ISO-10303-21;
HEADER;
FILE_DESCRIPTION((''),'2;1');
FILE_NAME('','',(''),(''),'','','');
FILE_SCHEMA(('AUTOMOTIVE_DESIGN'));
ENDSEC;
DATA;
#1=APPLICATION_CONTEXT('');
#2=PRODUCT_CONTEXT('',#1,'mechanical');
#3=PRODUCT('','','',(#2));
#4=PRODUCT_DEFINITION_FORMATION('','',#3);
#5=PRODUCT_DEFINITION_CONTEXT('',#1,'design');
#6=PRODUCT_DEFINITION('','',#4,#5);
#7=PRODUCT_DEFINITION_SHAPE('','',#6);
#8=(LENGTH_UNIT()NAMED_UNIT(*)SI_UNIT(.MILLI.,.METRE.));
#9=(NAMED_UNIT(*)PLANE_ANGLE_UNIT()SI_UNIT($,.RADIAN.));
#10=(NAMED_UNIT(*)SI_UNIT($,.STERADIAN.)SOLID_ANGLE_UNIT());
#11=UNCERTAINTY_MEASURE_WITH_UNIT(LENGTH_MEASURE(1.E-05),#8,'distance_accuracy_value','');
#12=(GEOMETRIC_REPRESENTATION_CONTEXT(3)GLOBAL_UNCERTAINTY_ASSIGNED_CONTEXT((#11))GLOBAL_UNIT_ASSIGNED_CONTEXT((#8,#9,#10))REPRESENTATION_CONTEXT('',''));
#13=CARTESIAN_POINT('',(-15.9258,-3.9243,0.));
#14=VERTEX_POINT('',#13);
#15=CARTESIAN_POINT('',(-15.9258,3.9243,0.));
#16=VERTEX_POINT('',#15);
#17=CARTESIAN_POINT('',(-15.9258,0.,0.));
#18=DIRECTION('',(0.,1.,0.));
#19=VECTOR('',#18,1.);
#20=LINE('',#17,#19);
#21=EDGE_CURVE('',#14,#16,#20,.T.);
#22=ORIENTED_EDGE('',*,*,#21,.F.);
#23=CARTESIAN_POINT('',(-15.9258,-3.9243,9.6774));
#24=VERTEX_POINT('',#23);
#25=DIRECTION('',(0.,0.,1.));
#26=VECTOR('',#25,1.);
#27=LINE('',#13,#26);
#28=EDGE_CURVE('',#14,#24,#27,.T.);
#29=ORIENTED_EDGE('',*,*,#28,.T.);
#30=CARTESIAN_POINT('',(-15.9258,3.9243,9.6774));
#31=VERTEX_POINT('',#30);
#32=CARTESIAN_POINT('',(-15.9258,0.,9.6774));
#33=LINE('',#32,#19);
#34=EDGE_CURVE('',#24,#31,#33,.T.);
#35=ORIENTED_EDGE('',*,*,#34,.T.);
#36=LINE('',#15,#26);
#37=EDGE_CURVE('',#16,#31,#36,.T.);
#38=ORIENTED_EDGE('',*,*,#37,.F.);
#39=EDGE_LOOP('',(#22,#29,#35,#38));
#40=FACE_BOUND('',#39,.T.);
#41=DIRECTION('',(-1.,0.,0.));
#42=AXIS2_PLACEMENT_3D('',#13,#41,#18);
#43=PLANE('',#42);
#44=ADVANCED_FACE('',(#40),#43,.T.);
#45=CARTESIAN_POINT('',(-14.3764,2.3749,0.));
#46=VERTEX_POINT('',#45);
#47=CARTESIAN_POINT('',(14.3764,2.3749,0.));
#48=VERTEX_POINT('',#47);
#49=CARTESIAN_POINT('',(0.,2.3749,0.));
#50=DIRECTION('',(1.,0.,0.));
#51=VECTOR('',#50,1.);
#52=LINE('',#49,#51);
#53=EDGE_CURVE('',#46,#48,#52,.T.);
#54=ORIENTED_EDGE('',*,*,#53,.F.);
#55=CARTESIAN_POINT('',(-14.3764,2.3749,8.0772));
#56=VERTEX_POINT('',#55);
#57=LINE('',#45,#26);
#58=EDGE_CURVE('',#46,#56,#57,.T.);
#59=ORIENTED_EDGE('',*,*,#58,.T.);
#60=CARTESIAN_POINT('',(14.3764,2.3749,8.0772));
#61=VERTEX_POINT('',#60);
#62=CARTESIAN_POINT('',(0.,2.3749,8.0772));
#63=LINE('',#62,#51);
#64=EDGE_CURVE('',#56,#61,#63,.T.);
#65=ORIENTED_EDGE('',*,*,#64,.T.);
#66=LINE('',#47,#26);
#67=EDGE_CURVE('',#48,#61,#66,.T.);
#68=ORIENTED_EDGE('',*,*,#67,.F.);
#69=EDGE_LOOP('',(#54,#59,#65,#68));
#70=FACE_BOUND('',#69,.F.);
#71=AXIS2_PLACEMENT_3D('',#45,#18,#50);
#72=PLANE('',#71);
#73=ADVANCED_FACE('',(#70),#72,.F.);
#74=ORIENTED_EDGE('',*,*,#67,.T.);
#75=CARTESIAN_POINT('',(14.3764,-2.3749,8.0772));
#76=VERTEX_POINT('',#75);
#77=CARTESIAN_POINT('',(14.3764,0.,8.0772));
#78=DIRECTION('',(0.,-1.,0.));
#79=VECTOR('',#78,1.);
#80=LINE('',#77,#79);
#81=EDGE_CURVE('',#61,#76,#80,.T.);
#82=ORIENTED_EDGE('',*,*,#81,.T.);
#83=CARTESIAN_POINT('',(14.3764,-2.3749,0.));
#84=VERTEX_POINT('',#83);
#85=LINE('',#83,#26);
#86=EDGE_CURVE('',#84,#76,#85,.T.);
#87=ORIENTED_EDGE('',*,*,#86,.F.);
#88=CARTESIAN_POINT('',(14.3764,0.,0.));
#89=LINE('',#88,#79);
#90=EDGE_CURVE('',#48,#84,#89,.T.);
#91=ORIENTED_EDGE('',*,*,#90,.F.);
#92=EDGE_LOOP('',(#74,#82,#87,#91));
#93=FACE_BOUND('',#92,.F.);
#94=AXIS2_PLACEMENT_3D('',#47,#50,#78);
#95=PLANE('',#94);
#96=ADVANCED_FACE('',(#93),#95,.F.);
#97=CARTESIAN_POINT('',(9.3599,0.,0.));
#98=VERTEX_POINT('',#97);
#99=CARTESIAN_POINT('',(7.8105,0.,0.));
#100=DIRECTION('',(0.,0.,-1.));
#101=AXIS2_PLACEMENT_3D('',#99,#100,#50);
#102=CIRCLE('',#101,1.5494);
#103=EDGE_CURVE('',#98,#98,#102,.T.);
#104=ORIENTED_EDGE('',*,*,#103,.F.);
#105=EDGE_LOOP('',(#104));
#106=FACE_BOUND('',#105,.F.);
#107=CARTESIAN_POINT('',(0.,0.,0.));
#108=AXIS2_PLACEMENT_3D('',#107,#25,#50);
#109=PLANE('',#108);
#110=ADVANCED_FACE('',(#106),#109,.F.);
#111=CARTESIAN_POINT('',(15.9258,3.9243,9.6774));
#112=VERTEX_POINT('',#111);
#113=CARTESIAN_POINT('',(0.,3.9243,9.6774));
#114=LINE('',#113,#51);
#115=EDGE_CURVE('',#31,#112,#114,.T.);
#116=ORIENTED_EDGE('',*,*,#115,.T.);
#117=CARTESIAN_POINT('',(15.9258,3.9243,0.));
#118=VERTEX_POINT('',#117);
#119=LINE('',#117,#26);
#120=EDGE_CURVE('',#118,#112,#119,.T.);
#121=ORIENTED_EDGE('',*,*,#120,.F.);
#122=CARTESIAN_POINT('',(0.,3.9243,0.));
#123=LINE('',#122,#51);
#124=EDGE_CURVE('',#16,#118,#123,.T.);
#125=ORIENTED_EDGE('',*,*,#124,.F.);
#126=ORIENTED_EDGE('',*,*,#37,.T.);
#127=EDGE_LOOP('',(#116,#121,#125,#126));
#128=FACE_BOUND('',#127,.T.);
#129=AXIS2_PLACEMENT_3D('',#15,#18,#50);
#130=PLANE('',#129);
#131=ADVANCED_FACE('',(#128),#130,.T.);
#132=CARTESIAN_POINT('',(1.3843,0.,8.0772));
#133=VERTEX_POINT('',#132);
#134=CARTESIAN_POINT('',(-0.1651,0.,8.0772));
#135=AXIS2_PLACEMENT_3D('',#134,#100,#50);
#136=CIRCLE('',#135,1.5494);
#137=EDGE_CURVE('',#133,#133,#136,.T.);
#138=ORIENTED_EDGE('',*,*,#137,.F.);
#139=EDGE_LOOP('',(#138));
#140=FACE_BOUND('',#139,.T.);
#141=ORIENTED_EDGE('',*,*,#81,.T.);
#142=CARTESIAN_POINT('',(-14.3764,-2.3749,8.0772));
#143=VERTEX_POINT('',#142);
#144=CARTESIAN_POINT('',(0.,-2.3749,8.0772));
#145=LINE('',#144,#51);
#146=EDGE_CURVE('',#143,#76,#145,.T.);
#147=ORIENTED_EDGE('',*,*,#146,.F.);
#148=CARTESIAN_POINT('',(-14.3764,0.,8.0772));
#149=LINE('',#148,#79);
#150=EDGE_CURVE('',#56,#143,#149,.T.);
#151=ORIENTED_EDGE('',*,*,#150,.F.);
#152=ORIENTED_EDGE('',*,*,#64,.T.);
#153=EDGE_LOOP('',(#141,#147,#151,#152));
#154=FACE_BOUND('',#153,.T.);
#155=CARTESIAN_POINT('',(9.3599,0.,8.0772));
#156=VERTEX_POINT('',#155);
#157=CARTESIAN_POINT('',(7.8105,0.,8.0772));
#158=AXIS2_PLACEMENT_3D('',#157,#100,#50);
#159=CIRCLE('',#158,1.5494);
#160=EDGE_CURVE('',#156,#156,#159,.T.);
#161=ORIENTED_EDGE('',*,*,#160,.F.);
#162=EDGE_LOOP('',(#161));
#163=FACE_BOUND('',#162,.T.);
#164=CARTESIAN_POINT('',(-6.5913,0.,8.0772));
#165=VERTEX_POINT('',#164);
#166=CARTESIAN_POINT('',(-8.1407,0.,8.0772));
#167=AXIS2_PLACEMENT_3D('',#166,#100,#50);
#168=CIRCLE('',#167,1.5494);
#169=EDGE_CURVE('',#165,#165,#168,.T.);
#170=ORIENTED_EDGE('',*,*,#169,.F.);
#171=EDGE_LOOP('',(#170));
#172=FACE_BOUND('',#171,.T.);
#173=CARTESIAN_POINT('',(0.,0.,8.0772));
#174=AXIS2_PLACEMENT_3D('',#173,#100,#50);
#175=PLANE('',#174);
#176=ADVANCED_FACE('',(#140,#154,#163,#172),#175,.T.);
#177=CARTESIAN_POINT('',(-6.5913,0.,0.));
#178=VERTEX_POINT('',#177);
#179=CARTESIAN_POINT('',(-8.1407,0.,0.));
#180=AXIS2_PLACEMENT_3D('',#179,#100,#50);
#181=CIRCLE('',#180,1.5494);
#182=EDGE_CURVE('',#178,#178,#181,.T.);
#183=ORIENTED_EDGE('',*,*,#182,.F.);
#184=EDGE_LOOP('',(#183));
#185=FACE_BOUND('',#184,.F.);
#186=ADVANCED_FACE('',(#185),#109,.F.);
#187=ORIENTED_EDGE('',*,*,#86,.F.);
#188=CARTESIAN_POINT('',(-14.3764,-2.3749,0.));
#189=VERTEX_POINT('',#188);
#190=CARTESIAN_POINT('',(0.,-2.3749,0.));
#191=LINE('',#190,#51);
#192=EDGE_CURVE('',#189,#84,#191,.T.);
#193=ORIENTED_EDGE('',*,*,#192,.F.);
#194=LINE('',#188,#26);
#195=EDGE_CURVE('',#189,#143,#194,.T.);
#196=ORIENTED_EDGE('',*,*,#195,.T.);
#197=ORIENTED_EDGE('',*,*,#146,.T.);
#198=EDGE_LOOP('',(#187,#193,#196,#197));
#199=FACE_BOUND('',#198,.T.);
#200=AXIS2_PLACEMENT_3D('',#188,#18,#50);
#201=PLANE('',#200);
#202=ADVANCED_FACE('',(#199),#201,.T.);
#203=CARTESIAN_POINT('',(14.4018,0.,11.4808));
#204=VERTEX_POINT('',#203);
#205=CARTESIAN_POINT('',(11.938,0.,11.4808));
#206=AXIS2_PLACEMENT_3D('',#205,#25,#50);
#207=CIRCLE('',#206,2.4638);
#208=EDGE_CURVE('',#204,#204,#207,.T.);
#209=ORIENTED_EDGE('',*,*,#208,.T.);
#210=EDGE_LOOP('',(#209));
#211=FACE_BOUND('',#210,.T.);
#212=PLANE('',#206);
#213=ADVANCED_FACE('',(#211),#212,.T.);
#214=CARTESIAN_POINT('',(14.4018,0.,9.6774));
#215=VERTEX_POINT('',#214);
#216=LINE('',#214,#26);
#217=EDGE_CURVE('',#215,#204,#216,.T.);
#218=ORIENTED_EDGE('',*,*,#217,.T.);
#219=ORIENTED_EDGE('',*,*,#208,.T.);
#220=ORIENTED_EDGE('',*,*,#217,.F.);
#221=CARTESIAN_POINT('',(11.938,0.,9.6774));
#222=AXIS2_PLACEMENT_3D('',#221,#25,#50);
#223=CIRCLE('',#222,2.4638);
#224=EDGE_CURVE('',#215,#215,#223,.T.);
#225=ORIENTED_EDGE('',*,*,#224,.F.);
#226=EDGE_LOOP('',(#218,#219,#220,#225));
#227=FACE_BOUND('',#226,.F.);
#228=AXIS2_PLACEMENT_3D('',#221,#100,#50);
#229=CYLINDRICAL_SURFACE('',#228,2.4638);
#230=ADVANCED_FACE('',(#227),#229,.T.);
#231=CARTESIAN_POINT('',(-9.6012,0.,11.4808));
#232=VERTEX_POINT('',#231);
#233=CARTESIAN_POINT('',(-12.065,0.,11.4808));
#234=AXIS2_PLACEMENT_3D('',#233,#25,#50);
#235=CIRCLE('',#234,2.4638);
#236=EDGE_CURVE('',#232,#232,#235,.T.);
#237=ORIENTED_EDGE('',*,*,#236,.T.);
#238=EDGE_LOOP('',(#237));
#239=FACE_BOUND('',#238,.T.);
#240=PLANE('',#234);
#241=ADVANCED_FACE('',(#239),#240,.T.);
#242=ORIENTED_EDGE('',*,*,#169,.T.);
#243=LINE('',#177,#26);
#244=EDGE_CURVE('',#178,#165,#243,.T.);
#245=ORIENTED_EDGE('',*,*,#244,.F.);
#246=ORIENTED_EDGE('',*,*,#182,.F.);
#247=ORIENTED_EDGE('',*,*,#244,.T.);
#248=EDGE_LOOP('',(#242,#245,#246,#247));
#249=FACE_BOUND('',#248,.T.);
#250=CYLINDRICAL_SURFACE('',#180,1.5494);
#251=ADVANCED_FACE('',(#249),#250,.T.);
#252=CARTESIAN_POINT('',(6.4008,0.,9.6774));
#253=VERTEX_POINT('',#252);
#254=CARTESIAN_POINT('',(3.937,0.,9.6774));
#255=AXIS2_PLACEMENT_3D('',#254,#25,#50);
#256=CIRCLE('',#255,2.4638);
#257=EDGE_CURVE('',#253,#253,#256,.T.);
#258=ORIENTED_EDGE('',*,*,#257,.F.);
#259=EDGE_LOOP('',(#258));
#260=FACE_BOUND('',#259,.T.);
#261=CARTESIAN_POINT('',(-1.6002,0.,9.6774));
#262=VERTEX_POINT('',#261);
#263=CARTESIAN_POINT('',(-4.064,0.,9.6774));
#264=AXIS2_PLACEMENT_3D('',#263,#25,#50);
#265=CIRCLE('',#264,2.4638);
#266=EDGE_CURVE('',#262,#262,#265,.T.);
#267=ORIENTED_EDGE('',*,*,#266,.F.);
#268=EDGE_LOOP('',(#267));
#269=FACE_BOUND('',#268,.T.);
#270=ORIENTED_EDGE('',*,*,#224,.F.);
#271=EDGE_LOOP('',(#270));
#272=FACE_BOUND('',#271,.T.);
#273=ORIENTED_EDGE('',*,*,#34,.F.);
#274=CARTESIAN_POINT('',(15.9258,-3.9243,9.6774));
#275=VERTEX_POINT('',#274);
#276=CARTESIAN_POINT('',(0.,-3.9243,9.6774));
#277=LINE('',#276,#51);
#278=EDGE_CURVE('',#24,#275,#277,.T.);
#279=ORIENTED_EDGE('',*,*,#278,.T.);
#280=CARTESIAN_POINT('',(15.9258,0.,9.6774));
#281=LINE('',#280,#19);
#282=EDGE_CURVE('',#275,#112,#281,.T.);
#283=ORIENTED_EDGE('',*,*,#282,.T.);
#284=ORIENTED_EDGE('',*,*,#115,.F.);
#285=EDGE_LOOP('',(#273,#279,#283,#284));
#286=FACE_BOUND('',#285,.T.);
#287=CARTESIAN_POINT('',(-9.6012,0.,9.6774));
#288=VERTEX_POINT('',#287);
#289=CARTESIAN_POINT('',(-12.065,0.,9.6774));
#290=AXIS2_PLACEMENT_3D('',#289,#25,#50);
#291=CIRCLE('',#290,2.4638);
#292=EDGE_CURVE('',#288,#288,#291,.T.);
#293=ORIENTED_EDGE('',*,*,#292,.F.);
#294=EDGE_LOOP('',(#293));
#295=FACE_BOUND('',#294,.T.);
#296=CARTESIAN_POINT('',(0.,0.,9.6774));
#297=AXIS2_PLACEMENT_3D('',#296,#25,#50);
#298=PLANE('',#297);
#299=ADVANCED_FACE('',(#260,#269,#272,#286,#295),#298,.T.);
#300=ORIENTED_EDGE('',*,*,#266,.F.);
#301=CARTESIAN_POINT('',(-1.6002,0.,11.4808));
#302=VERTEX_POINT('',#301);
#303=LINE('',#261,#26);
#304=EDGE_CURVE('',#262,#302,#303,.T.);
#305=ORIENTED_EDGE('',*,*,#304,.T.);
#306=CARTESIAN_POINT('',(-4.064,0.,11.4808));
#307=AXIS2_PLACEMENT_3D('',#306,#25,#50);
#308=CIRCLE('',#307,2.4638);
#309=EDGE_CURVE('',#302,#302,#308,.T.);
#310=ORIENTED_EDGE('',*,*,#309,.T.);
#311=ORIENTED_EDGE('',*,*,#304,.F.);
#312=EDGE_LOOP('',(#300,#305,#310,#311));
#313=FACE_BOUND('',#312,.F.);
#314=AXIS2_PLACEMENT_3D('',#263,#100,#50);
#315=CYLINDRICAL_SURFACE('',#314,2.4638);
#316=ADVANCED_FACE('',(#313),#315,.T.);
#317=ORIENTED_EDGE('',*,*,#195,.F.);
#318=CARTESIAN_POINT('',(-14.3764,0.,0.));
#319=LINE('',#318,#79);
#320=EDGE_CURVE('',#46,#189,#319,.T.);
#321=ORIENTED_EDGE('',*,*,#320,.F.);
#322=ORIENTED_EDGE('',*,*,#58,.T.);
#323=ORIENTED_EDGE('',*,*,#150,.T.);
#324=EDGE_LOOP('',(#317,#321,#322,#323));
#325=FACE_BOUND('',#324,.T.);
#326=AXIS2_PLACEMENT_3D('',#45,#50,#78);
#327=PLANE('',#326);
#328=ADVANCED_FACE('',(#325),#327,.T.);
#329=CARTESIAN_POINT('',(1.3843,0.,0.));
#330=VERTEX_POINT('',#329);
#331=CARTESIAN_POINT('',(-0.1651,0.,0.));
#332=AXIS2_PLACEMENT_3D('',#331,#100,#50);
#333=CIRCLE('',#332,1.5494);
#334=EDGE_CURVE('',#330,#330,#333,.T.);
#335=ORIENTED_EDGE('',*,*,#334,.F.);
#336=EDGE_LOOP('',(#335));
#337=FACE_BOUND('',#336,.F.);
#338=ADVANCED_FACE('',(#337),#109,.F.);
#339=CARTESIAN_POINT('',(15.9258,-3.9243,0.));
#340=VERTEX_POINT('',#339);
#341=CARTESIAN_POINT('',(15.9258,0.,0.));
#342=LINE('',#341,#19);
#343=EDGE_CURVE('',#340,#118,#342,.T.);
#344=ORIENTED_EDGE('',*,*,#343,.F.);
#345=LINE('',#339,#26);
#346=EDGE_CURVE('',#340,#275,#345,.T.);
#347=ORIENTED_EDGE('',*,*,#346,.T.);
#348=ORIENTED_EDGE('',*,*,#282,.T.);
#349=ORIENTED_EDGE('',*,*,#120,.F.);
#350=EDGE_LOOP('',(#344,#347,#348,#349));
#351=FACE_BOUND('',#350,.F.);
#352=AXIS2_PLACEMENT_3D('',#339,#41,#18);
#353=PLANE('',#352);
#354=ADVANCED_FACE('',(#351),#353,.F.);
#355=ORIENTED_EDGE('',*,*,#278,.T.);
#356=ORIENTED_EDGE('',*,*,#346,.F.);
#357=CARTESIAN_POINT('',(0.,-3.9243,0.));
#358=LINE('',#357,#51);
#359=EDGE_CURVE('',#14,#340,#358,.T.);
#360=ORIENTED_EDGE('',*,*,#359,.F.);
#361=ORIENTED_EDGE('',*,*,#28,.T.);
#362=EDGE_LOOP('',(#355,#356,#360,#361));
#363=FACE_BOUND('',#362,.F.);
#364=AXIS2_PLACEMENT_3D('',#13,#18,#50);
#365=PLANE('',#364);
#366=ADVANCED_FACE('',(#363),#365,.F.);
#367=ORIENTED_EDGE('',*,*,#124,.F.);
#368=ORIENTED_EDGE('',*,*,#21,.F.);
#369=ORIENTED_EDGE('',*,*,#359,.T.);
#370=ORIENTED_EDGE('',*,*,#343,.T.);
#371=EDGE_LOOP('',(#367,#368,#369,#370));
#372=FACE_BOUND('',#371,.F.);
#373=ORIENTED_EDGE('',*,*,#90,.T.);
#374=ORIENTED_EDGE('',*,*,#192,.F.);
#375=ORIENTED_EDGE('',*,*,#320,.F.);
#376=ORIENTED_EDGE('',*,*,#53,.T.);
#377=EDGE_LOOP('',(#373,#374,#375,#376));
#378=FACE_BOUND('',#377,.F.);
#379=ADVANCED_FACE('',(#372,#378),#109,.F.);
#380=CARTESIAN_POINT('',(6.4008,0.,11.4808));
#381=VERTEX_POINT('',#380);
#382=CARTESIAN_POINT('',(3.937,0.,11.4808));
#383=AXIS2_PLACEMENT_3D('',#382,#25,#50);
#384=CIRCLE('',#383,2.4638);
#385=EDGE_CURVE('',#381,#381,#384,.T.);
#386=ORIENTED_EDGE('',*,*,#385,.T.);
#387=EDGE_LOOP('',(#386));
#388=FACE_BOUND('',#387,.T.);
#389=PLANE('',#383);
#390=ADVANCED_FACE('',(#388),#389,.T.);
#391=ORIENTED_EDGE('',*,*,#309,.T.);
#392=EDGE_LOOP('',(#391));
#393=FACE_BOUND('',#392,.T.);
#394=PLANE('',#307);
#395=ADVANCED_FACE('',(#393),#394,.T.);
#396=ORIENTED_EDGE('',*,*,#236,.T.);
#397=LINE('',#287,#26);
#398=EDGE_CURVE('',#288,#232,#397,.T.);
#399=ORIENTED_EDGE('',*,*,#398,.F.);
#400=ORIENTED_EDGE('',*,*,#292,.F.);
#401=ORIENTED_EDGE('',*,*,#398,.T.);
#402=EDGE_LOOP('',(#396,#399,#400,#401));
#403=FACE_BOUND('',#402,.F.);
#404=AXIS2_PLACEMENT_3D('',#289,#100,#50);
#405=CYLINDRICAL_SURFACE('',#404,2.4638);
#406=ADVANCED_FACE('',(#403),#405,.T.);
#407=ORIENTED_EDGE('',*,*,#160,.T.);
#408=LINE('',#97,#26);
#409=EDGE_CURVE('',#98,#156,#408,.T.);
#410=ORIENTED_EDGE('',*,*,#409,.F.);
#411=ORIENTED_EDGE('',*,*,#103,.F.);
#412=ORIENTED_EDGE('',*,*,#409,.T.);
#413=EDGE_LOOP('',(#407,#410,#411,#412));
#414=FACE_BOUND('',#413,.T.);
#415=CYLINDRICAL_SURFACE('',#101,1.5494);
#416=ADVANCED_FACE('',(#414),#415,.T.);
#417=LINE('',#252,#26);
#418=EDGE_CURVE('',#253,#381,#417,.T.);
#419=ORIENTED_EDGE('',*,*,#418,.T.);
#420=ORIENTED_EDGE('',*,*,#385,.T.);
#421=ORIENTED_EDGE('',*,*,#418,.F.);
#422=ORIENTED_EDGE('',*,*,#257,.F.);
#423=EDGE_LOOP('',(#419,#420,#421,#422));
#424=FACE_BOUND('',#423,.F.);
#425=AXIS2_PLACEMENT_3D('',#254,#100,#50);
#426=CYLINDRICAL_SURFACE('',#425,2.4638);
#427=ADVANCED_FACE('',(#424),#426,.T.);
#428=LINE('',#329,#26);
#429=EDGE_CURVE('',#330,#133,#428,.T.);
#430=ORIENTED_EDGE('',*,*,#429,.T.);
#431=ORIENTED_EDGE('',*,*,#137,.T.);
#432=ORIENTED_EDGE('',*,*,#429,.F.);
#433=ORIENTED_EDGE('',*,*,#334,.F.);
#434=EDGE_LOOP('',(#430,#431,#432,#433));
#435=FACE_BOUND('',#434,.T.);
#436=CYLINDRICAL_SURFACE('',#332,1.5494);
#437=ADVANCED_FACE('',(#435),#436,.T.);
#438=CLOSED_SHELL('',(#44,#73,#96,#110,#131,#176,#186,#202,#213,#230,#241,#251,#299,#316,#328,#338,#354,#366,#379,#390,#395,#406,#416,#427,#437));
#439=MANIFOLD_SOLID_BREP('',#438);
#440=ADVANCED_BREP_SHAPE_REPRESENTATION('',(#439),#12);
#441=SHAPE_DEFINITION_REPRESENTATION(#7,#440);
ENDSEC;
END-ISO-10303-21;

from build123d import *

# Parameters (mm, degrees)
F0_W     = 31.8516
F0_H     = 7.8486
F1_DEPTH = 9.6774
F2_R     = 2.4638
F3_DEPTH = 1.8034
F5_W     = 28.7528
F5_H     = 4.7498
F5_R     = 1.5494
F6_DEPTH = 8.0772


with BuildPart() as f1:
    # F0 (on Top) → F1 (new body)
    with BuildSketch(Plane.XY):
        Rectangle(F0_W, F0_H)
    extrude(amount=F1_DEPTH)

    # F2 (on face) → F3 (join)
    with BuildSketch(Plane.XY.offset(9.6774)):
        with Locations((-4.064, 0)):
            Circle(F2_R)
        with Locations((3.937, 0)):
            Circle(F2_R)
        with Locations((11.938, 0)):
            Circle(F2_R)
        with Locations((-12.065, 0)):
            Circle(F2_R)
    extrude(amount=F3_DEPTH)

    # F5 (on face) → F6 (cut)
    with BuildSketch(Plane(origin=(0, 0, 0), x_dir=(1, 0, 0), z_dir=(0, 0, -1))):
        Rectangle(F5_W, F5_H)
        with Locations((-8.1407, 0)):
            Circle(F5_R, mode=Mode.SUBTRACT)
        with Locations((-0.1651, 0)):
            Circle(F5_R, mode=Mode.SUBTRACT)
        with Locations((7.8105, 0)):
            Circle(F5_R, mode=Mode.SUBTRACT)
    extrude(amount=-F6_DEPTH, mode=Mode.SUBTRACT)


solid = f1.part
